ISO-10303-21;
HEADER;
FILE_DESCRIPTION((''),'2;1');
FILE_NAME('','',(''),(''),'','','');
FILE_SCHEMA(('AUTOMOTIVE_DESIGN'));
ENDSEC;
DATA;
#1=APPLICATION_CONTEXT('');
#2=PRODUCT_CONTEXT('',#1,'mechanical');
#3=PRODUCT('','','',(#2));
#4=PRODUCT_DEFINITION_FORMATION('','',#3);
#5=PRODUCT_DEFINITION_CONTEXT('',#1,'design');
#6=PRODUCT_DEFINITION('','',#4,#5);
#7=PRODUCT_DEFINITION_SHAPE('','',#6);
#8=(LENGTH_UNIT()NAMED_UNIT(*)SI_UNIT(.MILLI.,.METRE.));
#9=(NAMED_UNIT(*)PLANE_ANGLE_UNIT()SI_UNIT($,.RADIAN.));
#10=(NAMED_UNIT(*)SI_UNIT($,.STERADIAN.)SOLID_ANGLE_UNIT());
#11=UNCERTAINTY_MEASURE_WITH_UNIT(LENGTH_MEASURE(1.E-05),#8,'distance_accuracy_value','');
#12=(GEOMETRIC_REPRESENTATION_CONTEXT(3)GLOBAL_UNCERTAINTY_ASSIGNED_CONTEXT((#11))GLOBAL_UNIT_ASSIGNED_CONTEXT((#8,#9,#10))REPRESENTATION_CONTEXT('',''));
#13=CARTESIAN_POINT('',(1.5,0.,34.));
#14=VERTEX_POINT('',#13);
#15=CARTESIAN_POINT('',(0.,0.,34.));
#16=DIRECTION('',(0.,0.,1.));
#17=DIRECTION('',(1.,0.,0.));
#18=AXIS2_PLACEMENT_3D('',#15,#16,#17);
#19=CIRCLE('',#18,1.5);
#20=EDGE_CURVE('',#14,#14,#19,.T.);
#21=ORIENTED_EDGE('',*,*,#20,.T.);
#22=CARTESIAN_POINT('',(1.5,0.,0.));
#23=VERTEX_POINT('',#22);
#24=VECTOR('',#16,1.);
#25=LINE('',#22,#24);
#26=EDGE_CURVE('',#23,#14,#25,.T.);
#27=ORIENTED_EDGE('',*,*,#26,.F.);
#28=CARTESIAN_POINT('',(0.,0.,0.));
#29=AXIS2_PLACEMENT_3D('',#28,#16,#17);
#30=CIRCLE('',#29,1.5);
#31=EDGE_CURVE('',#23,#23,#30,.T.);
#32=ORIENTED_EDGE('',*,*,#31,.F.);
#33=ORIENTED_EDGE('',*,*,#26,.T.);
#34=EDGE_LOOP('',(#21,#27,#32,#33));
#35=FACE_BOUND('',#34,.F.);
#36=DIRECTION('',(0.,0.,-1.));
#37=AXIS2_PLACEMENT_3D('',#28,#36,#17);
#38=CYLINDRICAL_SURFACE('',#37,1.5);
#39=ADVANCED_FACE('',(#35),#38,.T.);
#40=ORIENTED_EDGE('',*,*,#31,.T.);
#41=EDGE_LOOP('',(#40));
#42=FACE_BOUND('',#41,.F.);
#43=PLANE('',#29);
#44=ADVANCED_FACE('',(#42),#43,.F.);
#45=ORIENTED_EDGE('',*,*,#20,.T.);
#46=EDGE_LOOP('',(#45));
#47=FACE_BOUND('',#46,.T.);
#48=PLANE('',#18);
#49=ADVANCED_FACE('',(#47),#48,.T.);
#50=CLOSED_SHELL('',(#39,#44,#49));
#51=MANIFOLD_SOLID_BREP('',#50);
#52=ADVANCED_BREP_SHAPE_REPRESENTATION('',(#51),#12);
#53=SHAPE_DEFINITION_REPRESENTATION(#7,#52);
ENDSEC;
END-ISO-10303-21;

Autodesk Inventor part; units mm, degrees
ref_plane "YZ Plane" through (0, 0, 0) normal (1, 0, 0) x (0, 1, 0)
ref_plane "XZ Plane" through (0, 0, 0) normal (0, 1, 0) x (-1, 0, 0)
ref_plane "XY Plane" through (0, 0, 0) normal (0, 0, 1) x (1, 0, 0)
sketch "Sketch1" plane through (0, 0, 0) normal (0, 0, 1) x (1, 0, 0)
  circle A0 centre (0, 0) radius 1.5
  dimension "d0" = 3
extrude "Extrusion1" add sketch "Sketch1" along normal blind 34
properties part number "3mm_pin"
